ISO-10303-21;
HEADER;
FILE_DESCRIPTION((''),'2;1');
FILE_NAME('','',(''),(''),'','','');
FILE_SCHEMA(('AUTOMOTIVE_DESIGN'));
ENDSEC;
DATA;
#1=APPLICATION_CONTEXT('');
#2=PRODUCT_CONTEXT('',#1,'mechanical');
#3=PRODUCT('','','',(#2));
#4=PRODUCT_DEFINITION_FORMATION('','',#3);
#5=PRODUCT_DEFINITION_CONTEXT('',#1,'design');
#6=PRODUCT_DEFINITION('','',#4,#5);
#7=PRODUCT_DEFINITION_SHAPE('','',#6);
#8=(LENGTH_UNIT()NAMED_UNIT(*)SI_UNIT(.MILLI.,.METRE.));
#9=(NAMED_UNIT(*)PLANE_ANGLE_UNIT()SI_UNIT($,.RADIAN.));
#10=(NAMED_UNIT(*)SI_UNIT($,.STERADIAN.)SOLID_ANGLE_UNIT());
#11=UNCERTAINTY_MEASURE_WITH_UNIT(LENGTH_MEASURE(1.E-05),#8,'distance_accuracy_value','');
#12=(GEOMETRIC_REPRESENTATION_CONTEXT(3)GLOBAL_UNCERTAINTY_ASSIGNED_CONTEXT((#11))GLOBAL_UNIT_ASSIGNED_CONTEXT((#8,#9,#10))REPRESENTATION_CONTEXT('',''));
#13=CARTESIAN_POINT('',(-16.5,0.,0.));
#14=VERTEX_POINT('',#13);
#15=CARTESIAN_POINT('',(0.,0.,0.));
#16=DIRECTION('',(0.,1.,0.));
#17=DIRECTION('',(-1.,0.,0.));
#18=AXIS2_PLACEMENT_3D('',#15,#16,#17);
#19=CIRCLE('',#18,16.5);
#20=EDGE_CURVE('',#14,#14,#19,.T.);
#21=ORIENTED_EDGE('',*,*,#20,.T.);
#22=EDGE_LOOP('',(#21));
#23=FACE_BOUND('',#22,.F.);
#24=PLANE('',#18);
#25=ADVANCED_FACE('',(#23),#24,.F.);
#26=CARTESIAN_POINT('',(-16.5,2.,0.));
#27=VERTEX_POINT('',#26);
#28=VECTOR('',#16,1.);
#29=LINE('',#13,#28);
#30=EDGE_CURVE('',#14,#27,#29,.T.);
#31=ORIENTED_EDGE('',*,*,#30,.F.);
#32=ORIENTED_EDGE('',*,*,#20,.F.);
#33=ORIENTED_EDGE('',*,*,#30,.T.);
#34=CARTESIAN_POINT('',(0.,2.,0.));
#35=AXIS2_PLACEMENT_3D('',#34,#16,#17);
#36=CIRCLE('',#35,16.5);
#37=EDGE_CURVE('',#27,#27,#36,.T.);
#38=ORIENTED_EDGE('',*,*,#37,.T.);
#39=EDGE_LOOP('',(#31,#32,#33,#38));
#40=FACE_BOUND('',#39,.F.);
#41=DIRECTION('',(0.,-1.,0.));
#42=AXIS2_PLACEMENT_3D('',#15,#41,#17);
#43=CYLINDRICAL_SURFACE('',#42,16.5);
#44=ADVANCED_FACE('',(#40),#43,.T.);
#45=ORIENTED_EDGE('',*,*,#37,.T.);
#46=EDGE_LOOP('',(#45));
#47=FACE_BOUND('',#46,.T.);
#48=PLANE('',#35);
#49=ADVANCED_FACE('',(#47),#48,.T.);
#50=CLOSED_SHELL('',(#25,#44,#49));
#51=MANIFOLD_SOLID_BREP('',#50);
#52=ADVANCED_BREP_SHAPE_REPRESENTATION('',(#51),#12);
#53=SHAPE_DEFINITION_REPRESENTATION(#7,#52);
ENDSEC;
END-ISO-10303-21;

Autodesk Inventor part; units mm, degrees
ref_plane "YZ Plane" through (0, 0, 0) normal (1, 0, 0) x (0, 1, 0)
ref_plane "XZ Plane" through (0, 0, 0) normal (0, 1, 0) x (-1, 0, 0)
ref_plane "XY Plane" through (0, 0, 0) normal (0, 0, 1) x (1, 0, 0)
sketch "Sketch1" plane through (0, 0, 0) normal (0, 1, 0) x (-1, 0, 0)
  circle A0 centre (0, 0) radius 16.5
  dimension "d0" = 33
extrude "Extrusion1" add sketch "Sketch1" along normal blind 2
